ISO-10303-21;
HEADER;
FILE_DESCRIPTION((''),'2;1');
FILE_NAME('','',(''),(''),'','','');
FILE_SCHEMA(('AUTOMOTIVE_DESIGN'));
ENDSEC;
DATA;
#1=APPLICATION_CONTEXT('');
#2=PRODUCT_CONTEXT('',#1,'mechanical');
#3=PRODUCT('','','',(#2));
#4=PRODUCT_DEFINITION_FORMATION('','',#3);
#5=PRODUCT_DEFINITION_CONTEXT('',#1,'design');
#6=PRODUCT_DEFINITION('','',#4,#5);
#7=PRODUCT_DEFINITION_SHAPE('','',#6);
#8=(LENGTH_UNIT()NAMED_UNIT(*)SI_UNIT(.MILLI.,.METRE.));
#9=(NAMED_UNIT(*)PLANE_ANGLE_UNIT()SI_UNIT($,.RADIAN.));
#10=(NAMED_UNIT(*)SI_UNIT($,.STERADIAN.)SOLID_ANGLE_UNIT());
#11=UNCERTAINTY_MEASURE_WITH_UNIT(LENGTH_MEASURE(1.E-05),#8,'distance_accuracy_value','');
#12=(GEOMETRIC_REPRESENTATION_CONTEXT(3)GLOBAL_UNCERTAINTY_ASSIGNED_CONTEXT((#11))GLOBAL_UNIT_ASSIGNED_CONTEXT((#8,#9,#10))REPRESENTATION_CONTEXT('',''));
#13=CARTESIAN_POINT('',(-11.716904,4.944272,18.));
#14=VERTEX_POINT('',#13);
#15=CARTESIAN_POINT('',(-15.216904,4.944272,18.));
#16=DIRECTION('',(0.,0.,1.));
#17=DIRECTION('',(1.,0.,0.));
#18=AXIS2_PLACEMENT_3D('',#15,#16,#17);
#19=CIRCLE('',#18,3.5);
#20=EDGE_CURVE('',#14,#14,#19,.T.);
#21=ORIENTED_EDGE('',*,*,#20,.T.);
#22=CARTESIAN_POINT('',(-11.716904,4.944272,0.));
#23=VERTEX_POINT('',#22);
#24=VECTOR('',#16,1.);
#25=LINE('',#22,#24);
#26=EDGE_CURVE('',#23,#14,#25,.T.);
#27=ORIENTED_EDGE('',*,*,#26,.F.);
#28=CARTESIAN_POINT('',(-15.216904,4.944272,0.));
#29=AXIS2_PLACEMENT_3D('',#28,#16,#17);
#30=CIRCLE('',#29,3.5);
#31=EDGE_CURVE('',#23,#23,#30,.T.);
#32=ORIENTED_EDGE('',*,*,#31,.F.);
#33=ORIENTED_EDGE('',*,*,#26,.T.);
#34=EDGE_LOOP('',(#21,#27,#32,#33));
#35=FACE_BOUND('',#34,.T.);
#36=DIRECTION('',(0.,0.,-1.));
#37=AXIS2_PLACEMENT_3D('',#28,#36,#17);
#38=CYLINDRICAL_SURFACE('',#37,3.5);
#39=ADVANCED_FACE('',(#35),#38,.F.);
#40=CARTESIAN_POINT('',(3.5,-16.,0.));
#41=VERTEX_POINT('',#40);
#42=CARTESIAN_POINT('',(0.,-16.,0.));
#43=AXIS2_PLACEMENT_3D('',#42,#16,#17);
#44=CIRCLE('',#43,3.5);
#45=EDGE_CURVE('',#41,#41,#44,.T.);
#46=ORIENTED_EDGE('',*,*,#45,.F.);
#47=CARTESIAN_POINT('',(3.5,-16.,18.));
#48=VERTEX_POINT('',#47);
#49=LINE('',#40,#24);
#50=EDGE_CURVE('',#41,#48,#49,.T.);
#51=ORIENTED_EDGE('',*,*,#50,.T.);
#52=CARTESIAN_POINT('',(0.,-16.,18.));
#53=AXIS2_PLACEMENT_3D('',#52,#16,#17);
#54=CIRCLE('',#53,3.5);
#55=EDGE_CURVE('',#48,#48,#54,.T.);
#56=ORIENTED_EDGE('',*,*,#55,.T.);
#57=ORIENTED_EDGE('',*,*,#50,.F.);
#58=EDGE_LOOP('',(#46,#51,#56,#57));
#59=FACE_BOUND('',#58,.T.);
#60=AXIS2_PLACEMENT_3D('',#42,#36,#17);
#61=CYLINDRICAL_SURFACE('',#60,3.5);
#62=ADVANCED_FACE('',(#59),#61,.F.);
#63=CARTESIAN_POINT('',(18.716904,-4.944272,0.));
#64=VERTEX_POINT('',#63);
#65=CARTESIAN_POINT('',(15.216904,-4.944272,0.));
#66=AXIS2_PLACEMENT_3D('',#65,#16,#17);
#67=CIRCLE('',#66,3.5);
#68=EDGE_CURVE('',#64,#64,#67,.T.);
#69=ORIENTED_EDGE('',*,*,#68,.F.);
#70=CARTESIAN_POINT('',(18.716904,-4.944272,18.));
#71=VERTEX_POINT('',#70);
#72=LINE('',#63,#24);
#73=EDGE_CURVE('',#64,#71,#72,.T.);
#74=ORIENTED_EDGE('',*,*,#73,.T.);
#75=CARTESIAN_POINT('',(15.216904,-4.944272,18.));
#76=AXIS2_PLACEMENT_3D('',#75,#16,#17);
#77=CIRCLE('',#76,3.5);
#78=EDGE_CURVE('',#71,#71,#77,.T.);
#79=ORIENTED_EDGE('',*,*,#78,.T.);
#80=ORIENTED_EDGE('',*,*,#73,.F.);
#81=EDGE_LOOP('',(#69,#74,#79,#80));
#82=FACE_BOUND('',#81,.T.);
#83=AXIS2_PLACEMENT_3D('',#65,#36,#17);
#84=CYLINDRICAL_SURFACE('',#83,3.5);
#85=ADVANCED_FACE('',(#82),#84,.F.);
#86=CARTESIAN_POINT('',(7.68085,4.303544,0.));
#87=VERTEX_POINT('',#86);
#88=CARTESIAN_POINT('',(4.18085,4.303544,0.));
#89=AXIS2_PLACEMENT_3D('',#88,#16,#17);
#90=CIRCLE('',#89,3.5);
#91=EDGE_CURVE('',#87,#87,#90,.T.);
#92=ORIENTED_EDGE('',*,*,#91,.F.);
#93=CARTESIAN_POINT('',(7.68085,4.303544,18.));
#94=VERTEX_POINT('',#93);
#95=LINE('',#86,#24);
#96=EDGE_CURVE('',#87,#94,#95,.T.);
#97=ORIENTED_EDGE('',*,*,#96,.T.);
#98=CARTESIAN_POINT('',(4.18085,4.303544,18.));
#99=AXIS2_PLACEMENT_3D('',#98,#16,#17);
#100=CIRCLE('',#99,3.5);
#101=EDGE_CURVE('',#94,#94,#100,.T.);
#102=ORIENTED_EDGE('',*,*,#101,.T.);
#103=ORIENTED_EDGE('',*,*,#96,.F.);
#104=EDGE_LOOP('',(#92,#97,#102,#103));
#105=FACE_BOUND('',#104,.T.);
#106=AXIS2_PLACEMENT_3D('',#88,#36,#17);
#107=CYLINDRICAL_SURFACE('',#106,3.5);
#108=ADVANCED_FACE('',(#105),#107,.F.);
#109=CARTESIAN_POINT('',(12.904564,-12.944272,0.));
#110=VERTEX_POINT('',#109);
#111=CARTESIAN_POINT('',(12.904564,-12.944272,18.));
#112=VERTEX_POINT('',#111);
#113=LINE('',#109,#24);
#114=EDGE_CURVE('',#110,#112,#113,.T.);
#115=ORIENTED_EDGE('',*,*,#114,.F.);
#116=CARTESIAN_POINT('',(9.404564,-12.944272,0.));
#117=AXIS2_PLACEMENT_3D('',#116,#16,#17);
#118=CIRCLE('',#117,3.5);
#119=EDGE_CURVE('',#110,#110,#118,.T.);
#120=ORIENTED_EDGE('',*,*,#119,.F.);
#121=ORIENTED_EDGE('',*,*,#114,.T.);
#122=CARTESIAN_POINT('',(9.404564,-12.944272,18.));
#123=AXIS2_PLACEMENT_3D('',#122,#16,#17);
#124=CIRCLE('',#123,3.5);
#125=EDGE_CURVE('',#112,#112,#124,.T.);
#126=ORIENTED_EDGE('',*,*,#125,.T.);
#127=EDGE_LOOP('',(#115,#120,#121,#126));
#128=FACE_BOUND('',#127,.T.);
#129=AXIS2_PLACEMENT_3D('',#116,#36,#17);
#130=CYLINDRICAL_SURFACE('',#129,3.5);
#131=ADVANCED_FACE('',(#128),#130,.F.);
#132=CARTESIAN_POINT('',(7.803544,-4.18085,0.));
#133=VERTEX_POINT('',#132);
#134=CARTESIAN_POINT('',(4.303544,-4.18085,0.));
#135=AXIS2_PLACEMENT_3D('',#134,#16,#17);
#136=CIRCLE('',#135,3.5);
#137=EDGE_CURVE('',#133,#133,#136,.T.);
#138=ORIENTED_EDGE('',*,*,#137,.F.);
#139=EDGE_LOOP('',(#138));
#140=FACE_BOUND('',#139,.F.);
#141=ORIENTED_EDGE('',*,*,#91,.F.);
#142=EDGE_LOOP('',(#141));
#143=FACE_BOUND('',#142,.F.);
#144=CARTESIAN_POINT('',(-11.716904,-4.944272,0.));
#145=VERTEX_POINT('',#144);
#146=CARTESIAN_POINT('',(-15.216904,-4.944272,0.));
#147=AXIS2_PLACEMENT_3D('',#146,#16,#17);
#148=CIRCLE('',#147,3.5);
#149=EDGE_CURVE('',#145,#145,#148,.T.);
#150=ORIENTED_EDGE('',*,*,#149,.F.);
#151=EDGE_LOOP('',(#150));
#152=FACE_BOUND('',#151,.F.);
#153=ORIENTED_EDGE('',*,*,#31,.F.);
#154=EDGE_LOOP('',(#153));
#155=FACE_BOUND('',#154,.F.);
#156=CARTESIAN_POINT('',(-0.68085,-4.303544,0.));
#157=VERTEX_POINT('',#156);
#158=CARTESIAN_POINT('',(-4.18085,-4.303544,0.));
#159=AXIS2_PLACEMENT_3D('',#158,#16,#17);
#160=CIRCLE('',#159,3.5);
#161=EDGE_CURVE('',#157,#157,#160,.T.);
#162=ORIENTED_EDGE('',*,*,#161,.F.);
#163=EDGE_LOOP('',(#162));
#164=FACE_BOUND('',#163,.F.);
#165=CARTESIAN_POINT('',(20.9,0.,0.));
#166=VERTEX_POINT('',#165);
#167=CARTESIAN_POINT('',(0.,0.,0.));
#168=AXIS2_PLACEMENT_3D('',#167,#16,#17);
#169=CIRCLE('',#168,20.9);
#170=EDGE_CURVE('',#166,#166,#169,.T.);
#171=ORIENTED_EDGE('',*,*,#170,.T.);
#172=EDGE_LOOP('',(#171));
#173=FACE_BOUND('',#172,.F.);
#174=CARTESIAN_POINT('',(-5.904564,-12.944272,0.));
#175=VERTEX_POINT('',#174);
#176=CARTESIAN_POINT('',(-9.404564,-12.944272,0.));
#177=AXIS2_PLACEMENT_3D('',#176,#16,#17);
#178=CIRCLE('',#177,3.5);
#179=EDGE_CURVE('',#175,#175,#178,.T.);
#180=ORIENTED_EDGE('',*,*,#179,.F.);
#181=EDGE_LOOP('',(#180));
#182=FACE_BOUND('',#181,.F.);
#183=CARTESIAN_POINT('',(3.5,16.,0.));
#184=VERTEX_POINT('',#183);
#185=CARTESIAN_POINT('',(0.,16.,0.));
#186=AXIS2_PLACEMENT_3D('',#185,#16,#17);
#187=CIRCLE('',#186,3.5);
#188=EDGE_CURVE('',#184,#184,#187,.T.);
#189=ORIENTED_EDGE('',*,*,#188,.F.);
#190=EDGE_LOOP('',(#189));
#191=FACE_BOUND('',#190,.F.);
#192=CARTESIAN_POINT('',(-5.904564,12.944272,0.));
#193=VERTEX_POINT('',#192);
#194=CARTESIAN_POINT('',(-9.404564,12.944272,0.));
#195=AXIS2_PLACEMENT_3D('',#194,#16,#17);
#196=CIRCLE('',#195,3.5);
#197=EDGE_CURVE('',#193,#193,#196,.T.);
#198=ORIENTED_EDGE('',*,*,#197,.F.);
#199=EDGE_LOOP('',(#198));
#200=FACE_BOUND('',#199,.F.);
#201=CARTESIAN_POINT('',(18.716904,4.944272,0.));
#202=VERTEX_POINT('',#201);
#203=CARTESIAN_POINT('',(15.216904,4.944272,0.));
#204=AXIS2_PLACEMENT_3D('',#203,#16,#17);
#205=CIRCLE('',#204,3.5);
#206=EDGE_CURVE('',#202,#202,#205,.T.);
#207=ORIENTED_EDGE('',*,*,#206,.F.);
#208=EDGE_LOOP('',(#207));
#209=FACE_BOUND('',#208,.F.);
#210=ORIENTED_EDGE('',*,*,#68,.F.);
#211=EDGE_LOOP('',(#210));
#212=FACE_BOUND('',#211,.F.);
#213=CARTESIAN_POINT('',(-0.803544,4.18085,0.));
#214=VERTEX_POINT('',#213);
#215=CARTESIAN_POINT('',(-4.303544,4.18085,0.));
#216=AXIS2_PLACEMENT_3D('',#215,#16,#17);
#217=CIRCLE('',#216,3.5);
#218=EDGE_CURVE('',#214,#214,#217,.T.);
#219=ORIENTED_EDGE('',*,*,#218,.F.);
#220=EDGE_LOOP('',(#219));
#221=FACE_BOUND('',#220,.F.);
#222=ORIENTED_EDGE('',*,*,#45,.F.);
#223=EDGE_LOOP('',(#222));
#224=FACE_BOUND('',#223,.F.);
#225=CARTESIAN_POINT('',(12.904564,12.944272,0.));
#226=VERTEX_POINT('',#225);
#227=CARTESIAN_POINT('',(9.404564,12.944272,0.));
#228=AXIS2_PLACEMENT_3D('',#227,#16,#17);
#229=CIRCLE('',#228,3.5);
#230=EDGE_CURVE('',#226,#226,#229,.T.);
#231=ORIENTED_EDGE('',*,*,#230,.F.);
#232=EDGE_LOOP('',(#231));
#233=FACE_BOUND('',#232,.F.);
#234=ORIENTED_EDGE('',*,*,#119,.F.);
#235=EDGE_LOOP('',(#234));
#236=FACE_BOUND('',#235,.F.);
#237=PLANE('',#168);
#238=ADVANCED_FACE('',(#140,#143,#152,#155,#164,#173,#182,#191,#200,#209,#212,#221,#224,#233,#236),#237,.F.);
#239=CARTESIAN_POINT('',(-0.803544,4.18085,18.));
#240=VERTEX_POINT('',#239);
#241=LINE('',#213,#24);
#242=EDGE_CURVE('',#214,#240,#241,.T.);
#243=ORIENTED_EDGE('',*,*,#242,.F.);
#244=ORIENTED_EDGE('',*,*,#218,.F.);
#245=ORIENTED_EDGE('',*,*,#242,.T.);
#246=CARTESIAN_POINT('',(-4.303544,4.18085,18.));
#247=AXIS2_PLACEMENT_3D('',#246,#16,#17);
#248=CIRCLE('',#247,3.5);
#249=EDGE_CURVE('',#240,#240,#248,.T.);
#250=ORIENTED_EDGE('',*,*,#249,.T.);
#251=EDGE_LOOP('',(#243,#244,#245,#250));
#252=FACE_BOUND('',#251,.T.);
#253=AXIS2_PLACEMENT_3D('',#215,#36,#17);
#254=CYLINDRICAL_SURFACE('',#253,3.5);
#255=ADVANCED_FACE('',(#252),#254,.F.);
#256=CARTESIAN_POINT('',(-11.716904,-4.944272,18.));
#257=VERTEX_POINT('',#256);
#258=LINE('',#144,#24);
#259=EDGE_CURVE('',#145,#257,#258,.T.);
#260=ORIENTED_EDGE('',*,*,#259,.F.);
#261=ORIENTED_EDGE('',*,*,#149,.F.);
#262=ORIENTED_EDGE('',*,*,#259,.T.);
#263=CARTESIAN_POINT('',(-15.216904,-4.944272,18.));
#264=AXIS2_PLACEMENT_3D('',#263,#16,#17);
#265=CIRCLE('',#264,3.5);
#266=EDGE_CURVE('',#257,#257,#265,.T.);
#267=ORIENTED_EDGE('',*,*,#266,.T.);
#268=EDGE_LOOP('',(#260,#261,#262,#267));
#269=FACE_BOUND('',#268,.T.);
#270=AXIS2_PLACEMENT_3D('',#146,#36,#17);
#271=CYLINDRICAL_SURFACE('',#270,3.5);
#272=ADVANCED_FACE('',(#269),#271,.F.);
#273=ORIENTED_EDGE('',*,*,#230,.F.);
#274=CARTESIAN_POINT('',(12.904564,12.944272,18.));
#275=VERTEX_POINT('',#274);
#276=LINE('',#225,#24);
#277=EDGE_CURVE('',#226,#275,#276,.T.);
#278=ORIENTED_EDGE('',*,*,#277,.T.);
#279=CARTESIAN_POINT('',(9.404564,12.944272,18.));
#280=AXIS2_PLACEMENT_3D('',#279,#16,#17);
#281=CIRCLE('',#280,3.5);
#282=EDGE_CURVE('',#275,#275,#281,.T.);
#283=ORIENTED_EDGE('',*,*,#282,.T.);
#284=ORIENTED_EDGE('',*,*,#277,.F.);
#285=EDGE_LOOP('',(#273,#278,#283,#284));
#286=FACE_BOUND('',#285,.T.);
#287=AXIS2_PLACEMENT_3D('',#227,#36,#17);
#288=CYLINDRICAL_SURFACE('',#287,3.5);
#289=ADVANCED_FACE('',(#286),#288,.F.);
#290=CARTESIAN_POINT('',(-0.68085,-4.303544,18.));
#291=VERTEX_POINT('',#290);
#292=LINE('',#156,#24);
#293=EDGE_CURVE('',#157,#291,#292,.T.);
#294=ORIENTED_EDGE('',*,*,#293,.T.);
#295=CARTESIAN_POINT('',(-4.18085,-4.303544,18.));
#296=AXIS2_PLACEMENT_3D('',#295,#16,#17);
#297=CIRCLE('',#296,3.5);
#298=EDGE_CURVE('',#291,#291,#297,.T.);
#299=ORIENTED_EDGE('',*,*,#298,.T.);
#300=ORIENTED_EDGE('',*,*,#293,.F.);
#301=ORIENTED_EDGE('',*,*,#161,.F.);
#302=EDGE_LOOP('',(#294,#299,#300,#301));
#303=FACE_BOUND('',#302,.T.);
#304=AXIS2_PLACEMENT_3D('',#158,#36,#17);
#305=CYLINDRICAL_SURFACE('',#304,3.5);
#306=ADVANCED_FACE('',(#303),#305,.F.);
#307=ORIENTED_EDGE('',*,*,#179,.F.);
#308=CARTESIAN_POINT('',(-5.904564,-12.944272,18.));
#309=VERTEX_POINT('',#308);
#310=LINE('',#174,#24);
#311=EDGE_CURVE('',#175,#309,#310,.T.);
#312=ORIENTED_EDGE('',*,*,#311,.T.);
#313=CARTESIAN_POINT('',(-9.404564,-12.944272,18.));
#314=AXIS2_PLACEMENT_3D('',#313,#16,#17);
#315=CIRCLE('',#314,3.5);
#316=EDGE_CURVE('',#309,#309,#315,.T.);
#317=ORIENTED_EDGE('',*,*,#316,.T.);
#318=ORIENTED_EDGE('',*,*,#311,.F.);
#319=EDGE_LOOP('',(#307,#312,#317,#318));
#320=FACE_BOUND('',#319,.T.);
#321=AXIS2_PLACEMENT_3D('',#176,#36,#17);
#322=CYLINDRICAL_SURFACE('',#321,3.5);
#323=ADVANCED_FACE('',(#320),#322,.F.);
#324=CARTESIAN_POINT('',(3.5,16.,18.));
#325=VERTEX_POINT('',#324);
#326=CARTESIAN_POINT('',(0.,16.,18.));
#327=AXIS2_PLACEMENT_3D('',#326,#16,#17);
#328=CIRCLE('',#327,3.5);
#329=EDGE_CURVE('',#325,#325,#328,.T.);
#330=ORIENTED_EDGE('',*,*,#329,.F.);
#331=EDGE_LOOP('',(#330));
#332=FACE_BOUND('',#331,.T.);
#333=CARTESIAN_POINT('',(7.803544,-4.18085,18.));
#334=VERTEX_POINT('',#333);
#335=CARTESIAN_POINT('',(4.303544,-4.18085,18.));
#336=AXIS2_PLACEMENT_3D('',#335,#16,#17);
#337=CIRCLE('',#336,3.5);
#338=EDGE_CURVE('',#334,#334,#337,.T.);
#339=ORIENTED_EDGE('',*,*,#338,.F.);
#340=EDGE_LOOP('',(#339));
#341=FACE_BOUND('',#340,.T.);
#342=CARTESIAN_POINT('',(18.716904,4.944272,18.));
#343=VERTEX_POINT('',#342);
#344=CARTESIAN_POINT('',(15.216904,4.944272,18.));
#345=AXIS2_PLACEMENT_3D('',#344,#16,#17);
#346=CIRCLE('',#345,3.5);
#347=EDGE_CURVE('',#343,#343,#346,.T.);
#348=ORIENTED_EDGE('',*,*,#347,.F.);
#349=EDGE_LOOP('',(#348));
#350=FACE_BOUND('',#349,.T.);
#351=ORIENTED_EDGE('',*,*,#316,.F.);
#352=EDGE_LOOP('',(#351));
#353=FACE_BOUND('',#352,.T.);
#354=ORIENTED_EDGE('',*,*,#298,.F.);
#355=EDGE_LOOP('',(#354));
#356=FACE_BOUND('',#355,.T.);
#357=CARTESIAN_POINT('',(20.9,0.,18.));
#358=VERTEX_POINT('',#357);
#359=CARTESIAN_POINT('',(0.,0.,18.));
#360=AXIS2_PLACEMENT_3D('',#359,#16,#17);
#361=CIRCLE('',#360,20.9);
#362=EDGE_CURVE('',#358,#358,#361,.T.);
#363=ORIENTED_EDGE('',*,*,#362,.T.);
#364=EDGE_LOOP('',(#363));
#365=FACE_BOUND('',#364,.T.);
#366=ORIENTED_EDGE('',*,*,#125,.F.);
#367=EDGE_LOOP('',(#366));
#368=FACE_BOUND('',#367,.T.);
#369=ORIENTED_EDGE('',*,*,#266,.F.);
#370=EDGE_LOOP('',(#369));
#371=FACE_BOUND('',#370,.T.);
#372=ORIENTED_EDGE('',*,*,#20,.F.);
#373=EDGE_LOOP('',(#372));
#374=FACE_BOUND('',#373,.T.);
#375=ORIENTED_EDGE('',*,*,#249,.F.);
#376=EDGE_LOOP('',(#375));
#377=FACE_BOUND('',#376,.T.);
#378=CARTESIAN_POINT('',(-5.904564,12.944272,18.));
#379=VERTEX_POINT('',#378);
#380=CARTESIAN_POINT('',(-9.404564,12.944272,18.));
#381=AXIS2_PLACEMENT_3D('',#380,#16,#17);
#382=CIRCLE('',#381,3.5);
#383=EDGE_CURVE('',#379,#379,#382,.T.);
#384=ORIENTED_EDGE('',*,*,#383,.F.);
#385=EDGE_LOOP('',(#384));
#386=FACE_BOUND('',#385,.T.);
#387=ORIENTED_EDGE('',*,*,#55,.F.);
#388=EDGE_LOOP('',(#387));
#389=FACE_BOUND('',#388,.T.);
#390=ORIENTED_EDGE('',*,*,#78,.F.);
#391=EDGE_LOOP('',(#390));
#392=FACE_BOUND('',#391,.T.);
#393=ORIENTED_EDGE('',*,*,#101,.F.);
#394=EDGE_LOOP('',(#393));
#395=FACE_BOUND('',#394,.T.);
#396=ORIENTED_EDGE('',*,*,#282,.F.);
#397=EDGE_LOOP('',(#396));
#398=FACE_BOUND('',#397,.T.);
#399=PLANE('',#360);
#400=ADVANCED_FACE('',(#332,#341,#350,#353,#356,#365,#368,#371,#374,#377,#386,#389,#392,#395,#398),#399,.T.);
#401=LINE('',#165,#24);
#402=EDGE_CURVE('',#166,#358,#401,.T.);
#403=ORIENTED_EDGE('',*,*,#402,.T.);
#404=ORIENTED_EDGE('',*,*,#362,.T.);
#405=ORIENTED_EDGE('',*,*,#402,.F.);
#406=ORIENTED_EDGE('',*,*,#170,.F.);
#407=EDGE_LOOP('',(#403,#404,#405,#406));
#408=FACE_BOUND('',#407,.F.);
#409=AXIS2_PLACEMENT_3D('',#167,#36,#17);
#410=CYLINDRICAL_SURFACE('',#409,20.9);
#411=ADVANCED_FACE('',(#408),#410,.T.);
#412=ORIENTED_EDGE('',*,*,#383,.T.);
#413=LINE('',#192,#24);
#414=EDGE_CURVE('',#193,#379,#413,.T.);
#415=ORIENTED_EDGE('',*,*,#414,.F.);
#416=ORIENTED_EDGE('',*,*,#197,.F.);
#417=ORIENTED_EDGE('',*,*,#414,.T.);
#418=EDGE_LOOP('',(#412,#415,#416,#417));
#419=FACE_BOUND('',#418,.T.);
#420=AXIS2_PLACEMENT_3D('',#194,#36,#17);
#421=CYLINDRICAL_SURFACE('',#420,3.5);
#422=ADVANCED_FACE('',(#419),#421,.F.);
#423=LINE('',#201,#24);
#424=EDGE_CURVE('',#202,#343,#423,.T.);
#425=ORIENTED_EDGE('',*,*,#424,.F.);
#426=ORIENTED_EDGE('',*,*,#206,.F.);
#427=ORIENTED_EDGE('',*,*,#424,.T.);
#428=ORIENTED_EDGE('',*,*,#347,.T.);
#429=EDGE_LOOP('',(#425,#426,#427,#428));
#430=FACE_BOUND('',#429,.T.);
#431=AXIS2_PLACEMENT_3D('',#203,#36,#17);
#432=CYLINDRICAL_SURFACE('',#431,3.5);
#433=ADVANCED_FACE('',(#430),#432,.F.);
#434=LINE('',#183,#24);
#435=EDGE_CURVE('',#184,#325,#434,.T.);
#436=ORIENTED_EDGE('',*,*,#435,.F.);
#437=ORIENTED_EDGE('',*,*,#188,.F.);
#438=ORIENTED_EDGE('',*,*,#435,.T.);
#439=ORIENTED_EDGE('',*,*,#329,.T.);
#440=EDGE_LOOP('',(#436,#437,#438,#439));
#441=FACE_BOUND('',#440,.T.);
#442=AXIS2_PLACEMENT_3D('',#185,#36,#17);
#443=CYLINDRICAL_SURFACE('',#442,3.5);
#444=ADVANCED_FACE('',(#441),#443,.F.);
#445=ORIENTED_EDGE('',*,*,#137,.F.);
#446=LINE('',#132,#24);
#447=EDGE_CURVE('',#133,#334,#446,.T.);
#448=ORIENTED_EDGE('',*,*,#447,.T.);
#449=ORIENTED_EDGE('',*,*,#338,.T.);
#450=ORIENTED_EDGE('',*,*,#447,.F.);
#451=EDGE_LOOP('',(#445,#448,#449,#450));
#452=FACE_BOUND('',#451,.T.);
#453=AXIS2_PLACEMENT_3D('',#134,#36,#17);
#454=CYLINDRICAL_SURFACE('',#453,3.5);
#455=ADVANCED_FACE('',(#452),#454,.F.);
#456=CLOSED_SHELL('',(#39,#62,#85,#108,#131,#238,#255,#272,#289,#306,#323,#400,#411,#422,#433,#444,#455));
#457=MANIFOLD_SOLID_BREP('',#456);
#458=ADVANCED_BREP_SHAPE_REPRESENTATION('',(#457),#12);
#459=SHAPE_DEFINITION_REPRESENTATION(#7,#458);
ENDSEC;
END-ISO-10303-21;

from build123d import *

# Parameters (mm, degrees)
F0_R     = 20.9
F0_R_2   = 3.5
F1_DEPTH = 18


with BuildPart() as f1:
    # F0 (on Top) → F1 (new body)
    with BuildSketch(Plane.XY):
        Circle(F0_R)
        with Locations((0, -16)):
            Circle(F0_R_2, mode=Mode.SUBTRACT)
        with Locations((-9.404564, -12.944272)):
            Circle(F0_R_2, mode=Mode.SUBTRACT)
        with Locations((-15.216904, -4.944272)):
            Circle(F0_R_2, mode=Mode.SUBTRACT)
        with Locations((-4.18085, -4.303544)):
            Circle(F0_R_2, mode=Mode.SUBTRACT)
        with Locations((9.404564, -12.944272)):
            Circle(F0_R_2, mode=Mode.SUBTRACT)
        with Locations((4.303544, -4.18085)):
            Circle(F0_R_2, mode=Mode.SUBTRACT)
        with Locations((15.216904, -4.944272)):
            Circle(F0_R_2, mode=Mode.SUBTRACT)
        with Locations((-15.216904, 4.944272)):
            Circle(F0_R_2, mode=Mode.SUBTRACT)
        with Locations((-4.303544, 4.18085)):
            Circle(F0_R_2, mode=Mode.SUBTRACT)
        with Locations((-9.404564, 12.944272)):
            Circle(F0_R_2, mode=Mode.SUBTRACT)
        with Locations((0, 16)):
            Circle(F0_R_2, mode=Mode.SUBTRACT)
        with Locations((4.18085, 4.303544)):
            Circle(F0_R_2, mode=Mode.SUBTRACT)
        with Locations((15.216904, 4.944272)):
            Circle(F0_R_2, mode=Mode.SUBTRACT)
        with Locations((9.404564, 12.944272)):
            Circle(F0_R_2, mode=Mode.SUBTRACT)
    extrude(amount=F1_DEPTH)


solid = f1.part
